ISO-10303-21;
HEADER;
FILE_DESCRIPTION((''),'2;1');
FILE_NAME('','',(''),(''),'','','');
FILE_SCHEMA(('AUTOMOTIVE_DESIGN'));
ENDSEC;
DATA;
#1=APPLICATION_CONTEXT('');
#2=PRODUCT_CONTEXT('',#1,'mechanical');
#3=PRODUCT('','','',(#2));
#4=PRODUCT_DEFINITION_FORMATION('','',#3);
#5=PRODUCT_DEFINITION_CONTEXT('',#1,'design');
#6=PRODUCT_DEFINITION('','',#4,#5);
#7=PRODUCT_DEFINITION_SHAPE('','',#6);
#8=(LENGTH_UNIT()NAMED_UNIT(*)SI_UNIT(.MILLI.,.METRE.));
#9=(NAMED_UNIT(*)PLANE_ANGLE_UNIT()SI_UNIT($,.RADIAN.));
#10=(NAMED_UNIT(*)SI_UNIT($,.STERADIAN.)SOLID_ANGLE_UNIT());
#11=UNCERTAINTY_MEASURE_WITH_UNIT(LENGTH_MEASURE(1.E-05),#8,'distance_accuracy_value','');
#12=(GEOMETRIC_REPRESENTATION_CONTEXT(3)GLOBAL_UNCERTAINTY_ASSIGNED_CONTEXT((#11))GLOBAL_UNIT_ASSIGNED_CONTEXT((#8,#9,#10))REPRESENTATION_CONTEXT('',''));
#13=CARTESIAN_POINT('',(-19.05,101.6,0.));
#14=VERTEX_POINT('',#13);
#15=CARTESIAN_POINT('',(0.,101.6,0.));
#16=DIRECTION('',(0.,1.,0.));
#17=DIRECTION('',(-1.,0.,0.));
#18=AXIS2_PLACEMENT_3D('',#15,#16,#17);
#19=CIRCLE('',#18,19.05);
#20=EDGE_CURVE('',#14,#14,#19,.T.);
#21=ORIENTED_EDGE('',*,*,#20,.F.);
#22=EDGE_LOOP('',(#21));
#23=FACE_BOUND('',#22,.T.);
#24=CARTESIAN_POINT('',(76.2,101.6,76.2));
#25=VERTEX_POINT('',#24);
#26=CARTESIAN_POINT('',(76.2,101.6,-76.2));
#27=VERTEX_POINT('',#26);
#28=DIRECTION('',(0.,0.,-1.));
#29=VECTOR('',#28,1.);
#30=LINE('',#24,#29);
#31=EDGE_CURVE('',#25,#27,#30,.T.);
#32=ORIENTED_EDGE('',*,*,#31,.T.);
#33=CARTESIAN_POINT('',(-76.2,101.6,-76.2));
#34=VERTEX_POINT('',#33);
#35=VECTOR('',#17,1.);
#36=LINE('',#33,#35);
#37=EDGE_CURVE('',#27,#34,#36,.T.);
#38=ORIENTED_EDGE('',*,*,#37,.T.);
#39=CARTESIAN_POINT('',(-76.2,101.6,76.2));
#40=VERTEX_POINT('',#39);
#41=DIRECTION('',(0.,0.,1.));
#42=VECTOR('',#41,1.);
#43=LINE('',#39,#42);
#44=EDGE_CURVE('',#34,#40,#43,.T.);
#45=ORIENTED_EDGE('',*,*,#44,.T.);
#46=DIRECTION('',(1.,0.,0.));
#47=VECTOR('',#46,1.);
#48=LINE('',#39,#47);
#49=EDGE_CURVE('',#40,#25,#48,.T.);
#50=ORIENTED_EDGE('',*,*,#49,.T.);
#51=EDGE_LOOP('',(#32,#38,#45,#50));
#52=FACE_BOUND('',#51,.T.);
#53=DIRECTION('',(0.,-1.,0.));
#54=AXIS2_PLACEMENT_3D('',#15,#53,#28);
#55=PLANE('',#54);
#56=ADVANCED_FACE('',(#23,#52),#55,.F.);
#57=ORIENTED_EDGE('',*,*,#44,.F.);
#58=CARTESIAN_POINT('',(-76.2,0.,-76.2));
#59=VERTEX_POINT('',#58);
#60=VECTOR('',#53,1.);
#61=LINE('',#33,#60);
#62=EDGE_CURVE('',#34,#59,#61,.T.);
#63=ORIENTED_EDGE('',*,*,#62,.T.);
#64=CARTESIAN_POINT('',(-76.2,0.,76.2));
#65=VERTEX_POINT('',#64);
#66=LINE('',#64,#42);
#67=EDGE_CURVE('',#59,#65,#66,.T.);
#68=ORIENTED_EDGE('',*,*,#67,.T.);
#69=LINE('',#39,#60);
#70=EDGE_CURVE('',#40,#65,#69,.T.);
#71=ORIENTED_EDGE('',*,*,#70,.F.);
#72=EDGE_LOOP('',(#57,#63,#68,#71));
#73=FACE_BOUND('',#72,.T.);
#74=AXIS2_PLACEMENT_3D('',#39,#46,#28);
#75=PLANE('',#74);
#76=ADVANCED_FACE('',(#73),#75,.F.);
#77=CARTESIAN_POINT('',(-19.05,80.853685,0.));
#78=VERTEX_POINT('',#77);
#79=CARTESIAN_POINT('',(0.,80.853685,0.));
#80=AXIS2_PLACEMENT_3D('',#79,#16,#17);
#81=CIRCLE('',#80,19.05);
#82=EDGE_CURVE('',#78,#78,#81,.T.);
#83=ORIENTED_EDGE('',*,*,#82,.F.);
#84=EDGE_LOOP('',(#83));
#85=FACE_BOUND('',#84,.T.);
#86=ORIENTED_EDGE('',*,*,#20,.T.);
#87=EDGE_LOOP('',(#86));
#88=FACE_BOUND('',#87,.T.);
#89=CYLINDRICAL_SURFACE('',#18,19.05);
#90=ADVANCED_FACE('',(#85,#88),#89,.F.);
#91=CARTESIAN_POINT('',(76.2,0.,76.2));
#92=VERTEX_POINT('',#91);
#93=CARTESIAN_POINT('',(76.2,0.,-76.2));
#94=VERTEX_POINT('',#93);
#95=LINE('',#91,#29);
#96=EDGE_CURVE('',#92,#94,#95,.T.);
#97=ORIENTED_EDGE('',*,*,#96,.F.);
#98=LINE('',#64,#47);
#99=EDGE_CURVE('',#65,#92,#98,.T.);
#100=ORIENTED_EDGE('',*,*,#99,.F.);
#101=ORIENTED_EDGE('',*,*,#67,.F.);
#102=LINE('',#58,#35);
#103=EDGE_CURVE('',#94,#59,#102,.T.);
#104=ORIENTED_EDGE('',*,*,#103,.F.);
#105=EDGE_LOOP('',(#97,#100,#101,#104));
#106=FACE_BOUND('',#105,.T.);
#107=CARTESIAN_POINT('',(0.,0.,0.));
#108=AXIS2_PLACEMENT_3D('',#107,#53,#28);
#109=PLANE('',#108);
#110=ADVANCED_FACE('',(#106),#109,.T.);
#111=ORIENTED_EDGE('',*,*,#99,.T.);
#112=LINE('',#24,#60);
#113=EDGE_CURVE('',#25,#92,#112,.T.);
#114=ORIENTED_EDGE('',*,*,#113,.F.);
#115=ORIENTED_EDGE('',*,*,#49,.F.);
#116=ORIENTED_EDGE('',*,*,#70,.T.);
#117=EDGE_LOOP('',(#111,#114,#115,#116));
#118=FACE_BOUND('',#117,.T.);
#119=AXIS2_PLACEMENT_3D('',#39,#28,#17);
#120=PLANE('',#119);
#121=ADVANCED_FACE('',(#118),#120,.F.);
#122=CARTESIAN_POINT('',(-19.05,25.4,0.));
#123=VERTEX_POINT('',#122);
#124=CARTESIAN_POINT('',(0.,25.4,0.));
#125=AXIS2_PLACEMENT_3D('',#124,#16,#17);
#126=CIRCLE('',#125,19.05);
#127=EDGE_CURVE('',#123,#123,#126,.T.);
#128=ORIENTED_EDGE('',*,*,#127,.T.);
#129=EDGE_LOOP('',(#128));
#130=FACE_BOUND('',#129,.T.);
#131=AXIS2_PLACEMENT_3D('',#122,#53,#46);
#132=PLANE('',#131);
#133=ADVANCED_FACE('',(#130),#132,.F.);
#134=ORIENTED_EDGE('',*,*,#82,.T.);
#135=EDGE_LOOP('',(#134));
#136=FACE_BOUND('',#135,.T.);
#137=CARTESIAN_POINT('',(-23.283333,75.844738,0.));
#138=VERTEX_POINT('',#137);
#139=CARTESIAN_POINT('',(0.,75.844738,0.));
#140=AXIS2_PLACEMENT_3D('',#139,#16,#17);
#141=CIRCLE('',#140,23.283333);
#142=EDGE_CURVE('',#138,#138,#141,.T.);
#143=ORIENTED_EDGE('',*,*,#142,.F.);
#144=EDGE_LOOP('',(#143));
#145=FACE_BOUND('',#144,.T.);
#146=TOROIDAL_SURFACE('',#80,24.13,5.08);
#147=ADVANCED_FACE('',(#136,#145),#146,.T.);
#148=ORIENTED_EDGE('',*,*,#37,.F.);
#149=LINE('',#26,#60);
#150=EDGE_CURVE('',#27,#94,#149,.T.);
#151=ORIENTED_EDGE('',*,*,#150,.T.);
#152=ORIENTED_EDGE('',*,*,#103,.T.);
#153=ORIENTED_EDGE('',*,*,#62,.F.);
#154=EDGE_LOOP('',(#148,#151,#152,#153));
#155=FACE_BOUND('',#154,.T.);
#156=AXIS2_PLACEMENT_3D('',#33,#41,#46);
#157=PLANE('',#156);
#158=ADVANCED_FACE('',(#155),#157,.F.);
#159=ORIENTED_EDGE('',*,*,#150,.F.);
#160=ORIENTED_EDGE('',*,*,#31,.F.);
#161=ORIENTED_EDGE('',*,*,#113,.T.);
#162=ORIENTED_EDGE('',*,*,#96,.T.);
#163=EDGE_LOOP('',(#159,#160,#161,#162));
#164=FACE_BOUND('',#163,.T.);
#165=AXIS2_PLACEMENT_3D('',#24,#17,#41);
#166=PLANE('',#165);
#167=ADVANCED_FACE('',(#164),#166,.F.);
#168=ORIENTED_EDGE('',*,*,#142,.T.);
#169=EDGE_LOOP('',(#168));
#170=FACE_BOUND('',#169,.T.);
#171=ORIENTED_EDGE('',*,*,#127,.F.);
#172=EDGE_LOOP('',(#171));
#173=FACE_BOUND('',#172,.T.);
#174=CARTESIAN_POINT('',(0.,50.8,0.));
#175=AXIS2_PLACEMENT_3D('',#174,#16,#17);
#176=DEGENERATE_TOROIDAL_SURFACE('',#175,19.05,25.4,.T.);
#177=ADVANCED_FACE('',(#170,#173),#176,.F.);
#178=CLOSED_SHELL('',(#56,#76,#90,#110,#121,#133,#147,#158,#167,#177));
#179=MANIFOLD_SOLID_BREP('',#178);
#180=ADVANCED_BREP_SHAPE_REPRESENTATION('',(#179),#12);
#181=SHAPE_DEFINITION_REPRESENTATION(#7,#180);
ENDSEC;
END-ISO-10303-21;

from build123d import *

# Parameters (mm, degrees)
SKETCH1_W           = 152.4
SKETCH1_H           = 152.4
BOSS_EXTRUDE1_DEPTH = 101.6


with BuildPart() as part:
    # Sketch1 → Boss-Extrude1 (new body)
    with BuildSketch(Plane(origin=(0, 0, 0), x_dir=(1, 0, 0), z_dir=(0, 1, 0))):
        Rectangle(SKETCH1_W, SKETCH1_H)
    extrude(amount=BOSS_EXTRUDE1_DEPTH)

    # Sketch3 → Cut-Revolve4 (revolve, cut)
    with BuildSketch(Plane.XY):
        with BuildLine():
            Line((-19.05, 80.853685298), (-19.05, 101.6))
            Line((-19.05, 101.6), (0, 101.6))
            Line((0, 101.6), (0, 25.4))
            Line((0, 25.4), (-19.05, 25.4))
            ThreePointArc((-19.05, 25.4), (-44.361028612, 48.675892989), (-23.283333333, 75.844737748))
            ThreePointArc((-23.283333333, 75.844737748), (-20.250085912, 77.574559398), (-19.05, 80.853685298))
        make_face()
    revolve(axis=Axis((0, 101.6, 0), (0, -1, 0)), mode=Mode.SUBTRACT)


solid = part.part
